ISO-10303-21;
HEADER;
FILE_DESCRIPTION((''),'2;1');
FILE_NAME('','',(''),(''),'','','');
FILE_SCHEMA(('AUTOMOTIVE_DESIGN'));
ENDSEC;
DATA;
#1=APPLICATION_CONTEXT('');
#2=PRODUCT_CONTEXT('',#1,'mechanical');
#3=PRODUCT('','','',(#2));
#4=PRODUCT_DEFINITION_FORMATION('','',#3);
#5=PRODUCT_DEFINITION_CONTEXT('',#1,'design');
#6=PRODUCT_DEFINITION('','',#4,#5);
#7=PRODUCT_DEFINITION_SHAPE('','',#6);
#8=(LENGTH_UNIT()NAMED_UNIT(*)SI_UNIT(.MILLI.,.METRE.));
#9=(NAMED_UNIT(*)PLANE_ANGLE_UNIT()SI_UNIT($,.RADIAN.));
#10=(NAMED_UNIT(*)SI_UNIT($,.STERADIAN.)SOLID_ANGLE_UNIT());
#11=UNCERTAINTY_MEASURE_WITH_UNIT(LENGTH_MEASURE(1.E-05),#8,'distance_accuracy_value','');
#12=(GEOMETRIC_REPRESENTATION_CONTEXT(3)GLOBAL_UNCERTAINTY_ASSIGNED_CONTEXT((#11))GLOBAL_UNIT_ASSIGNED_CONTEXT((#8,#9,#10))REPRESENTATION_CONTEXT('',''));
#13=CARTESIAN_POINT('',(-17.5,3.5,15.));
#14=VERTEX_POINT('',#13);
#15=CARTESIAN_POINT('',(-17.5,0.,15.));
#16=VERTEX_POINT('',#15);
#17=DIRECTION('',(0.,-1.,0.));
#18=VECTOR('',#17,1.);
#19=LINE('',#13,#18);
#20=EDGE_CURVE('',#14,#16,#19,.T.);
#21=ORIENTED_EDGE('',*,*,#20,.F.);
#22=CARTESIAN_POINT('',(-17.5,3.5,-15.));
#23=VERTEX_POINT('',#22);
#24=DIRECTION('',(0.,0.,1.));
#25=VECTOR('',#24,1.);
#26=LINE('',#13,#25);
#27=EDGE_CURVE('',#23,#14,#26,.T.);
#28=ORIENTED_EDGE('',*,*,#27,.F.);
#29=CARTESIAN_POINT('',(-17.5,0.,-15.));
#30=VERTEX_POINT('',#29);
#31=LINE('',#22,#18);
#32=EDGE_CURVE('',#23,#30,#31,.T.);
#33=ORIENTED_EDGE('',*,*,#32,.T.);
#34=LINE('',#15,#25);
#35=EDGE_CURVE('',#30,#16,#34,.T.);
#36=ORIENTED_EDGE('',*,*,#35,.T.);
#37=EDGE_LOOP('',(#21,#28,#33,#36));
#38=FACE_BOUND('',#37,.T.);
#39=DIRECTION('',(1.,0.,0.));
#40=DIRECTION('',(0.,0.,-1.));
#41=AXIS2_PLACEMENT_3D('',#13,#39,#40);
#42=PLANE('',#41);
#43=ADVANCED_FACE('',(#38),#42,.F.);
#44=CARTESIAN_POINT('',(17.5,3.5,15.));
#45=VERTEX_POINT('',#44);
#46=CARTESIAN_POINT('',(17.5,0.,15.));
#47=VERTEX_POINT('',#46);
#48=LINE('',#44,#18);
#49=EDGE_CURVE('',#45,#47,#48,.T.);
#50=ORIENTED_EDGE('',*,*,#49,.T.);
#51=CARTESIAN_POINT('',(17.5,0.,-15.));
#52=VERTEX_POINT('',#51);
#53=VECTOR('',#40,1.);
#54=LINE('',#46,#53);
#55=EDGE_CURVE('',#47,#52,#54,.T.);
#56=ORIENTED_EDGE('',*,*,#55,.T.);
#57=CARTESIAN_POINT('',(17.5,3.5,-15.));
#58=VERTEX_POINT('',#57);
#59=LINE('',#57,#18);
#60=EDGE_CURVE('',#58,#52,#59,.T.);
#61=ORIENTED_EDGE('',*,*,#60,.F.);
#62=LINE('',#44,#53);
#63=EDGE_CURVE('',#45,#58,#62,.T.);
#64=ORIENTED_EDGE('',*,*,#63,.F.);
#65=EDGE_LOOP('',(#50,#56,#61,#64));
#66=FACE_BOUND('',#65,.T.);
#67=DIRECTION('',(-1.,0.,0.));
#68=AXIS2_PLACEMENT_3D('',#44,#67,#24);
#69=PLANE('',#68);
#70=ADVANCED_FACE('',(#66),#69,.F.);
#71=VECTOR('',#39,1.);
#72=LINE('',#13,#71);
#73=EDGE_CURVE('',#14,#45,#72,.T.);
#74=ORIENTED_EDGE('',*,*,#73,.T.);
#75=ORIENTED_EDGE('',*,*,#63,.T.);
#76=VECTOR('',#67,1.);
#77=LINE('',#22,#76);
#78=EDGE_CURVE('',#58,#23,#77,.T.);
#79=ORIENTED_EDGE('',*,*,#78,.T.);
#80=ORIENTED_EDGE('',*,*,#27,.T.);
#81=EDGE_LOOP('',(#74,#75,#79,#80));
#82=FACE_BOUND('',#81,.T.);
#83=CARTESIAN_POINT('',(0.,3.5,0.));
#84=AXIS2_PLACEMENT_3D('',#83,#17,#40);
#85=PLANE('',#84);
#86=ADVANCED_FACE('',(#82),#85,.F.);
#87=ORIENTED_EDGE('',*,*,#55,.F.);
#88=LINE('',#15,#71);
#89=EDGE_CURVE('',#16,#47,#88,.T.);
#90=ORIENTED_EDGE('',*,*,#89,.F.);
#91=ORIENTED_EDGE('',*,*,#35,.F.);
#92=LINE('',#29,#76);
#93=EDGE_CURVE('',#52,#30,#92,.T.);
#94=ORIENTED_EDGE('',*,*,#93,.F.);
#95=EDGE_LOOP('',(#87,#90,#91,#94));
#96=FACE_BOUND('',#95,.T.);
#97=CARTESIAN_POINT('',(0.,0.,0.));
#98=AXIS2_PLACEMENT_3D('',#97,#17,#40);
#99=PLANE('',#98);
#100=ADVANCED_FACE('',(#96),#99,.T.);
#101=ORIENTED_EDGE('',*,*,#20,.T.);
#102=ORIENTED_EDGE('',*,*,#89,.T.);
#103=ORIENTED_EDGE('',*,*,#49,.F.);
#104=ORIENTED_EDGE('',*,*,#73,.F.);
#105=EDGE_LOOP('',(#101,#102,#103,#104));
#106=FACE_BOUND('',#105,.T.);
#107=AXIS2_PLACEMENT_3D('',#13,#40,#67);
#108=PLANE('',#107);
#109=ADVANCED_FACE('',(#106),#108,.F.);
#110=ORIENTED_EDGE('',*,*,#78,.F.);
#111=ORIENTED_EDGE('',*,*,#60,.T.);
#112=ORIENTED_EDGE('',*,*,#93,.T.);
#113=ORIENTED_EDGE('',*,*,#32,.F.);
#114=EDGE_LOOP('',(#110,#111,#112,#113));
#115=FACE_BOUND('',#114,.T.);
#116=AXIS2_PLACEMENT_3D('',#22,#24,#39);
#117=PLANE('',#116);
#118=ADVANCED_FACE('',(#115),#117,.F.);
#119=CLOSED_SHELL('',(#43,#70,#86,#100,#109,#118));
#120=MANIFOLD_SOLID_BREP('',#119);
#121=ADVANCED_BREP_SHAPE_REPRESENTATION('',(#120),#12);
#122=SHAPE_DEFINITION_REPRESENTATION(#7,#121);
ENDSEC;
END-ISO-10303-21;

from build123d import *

# Parameters (mm, degrees)
SKETCH_1_W      = 35
SKETCH_1_H      = 30
EXTRUDE_1_DEPTH = 3.5


with BuildPart() as part:
    # 스케치1 → 보스-돌출1 (new body)
    with BuildSketch(Plane(origin=(0, 0, 0), x_dir=(1, 0, 0), z_dir=(0, 1, 0))):
        Rectangle(SKETCH_1_W, SKETCH_1_H)
    extrude(amount=EXTRUDE_1_DEPTH)


solid = part.part
